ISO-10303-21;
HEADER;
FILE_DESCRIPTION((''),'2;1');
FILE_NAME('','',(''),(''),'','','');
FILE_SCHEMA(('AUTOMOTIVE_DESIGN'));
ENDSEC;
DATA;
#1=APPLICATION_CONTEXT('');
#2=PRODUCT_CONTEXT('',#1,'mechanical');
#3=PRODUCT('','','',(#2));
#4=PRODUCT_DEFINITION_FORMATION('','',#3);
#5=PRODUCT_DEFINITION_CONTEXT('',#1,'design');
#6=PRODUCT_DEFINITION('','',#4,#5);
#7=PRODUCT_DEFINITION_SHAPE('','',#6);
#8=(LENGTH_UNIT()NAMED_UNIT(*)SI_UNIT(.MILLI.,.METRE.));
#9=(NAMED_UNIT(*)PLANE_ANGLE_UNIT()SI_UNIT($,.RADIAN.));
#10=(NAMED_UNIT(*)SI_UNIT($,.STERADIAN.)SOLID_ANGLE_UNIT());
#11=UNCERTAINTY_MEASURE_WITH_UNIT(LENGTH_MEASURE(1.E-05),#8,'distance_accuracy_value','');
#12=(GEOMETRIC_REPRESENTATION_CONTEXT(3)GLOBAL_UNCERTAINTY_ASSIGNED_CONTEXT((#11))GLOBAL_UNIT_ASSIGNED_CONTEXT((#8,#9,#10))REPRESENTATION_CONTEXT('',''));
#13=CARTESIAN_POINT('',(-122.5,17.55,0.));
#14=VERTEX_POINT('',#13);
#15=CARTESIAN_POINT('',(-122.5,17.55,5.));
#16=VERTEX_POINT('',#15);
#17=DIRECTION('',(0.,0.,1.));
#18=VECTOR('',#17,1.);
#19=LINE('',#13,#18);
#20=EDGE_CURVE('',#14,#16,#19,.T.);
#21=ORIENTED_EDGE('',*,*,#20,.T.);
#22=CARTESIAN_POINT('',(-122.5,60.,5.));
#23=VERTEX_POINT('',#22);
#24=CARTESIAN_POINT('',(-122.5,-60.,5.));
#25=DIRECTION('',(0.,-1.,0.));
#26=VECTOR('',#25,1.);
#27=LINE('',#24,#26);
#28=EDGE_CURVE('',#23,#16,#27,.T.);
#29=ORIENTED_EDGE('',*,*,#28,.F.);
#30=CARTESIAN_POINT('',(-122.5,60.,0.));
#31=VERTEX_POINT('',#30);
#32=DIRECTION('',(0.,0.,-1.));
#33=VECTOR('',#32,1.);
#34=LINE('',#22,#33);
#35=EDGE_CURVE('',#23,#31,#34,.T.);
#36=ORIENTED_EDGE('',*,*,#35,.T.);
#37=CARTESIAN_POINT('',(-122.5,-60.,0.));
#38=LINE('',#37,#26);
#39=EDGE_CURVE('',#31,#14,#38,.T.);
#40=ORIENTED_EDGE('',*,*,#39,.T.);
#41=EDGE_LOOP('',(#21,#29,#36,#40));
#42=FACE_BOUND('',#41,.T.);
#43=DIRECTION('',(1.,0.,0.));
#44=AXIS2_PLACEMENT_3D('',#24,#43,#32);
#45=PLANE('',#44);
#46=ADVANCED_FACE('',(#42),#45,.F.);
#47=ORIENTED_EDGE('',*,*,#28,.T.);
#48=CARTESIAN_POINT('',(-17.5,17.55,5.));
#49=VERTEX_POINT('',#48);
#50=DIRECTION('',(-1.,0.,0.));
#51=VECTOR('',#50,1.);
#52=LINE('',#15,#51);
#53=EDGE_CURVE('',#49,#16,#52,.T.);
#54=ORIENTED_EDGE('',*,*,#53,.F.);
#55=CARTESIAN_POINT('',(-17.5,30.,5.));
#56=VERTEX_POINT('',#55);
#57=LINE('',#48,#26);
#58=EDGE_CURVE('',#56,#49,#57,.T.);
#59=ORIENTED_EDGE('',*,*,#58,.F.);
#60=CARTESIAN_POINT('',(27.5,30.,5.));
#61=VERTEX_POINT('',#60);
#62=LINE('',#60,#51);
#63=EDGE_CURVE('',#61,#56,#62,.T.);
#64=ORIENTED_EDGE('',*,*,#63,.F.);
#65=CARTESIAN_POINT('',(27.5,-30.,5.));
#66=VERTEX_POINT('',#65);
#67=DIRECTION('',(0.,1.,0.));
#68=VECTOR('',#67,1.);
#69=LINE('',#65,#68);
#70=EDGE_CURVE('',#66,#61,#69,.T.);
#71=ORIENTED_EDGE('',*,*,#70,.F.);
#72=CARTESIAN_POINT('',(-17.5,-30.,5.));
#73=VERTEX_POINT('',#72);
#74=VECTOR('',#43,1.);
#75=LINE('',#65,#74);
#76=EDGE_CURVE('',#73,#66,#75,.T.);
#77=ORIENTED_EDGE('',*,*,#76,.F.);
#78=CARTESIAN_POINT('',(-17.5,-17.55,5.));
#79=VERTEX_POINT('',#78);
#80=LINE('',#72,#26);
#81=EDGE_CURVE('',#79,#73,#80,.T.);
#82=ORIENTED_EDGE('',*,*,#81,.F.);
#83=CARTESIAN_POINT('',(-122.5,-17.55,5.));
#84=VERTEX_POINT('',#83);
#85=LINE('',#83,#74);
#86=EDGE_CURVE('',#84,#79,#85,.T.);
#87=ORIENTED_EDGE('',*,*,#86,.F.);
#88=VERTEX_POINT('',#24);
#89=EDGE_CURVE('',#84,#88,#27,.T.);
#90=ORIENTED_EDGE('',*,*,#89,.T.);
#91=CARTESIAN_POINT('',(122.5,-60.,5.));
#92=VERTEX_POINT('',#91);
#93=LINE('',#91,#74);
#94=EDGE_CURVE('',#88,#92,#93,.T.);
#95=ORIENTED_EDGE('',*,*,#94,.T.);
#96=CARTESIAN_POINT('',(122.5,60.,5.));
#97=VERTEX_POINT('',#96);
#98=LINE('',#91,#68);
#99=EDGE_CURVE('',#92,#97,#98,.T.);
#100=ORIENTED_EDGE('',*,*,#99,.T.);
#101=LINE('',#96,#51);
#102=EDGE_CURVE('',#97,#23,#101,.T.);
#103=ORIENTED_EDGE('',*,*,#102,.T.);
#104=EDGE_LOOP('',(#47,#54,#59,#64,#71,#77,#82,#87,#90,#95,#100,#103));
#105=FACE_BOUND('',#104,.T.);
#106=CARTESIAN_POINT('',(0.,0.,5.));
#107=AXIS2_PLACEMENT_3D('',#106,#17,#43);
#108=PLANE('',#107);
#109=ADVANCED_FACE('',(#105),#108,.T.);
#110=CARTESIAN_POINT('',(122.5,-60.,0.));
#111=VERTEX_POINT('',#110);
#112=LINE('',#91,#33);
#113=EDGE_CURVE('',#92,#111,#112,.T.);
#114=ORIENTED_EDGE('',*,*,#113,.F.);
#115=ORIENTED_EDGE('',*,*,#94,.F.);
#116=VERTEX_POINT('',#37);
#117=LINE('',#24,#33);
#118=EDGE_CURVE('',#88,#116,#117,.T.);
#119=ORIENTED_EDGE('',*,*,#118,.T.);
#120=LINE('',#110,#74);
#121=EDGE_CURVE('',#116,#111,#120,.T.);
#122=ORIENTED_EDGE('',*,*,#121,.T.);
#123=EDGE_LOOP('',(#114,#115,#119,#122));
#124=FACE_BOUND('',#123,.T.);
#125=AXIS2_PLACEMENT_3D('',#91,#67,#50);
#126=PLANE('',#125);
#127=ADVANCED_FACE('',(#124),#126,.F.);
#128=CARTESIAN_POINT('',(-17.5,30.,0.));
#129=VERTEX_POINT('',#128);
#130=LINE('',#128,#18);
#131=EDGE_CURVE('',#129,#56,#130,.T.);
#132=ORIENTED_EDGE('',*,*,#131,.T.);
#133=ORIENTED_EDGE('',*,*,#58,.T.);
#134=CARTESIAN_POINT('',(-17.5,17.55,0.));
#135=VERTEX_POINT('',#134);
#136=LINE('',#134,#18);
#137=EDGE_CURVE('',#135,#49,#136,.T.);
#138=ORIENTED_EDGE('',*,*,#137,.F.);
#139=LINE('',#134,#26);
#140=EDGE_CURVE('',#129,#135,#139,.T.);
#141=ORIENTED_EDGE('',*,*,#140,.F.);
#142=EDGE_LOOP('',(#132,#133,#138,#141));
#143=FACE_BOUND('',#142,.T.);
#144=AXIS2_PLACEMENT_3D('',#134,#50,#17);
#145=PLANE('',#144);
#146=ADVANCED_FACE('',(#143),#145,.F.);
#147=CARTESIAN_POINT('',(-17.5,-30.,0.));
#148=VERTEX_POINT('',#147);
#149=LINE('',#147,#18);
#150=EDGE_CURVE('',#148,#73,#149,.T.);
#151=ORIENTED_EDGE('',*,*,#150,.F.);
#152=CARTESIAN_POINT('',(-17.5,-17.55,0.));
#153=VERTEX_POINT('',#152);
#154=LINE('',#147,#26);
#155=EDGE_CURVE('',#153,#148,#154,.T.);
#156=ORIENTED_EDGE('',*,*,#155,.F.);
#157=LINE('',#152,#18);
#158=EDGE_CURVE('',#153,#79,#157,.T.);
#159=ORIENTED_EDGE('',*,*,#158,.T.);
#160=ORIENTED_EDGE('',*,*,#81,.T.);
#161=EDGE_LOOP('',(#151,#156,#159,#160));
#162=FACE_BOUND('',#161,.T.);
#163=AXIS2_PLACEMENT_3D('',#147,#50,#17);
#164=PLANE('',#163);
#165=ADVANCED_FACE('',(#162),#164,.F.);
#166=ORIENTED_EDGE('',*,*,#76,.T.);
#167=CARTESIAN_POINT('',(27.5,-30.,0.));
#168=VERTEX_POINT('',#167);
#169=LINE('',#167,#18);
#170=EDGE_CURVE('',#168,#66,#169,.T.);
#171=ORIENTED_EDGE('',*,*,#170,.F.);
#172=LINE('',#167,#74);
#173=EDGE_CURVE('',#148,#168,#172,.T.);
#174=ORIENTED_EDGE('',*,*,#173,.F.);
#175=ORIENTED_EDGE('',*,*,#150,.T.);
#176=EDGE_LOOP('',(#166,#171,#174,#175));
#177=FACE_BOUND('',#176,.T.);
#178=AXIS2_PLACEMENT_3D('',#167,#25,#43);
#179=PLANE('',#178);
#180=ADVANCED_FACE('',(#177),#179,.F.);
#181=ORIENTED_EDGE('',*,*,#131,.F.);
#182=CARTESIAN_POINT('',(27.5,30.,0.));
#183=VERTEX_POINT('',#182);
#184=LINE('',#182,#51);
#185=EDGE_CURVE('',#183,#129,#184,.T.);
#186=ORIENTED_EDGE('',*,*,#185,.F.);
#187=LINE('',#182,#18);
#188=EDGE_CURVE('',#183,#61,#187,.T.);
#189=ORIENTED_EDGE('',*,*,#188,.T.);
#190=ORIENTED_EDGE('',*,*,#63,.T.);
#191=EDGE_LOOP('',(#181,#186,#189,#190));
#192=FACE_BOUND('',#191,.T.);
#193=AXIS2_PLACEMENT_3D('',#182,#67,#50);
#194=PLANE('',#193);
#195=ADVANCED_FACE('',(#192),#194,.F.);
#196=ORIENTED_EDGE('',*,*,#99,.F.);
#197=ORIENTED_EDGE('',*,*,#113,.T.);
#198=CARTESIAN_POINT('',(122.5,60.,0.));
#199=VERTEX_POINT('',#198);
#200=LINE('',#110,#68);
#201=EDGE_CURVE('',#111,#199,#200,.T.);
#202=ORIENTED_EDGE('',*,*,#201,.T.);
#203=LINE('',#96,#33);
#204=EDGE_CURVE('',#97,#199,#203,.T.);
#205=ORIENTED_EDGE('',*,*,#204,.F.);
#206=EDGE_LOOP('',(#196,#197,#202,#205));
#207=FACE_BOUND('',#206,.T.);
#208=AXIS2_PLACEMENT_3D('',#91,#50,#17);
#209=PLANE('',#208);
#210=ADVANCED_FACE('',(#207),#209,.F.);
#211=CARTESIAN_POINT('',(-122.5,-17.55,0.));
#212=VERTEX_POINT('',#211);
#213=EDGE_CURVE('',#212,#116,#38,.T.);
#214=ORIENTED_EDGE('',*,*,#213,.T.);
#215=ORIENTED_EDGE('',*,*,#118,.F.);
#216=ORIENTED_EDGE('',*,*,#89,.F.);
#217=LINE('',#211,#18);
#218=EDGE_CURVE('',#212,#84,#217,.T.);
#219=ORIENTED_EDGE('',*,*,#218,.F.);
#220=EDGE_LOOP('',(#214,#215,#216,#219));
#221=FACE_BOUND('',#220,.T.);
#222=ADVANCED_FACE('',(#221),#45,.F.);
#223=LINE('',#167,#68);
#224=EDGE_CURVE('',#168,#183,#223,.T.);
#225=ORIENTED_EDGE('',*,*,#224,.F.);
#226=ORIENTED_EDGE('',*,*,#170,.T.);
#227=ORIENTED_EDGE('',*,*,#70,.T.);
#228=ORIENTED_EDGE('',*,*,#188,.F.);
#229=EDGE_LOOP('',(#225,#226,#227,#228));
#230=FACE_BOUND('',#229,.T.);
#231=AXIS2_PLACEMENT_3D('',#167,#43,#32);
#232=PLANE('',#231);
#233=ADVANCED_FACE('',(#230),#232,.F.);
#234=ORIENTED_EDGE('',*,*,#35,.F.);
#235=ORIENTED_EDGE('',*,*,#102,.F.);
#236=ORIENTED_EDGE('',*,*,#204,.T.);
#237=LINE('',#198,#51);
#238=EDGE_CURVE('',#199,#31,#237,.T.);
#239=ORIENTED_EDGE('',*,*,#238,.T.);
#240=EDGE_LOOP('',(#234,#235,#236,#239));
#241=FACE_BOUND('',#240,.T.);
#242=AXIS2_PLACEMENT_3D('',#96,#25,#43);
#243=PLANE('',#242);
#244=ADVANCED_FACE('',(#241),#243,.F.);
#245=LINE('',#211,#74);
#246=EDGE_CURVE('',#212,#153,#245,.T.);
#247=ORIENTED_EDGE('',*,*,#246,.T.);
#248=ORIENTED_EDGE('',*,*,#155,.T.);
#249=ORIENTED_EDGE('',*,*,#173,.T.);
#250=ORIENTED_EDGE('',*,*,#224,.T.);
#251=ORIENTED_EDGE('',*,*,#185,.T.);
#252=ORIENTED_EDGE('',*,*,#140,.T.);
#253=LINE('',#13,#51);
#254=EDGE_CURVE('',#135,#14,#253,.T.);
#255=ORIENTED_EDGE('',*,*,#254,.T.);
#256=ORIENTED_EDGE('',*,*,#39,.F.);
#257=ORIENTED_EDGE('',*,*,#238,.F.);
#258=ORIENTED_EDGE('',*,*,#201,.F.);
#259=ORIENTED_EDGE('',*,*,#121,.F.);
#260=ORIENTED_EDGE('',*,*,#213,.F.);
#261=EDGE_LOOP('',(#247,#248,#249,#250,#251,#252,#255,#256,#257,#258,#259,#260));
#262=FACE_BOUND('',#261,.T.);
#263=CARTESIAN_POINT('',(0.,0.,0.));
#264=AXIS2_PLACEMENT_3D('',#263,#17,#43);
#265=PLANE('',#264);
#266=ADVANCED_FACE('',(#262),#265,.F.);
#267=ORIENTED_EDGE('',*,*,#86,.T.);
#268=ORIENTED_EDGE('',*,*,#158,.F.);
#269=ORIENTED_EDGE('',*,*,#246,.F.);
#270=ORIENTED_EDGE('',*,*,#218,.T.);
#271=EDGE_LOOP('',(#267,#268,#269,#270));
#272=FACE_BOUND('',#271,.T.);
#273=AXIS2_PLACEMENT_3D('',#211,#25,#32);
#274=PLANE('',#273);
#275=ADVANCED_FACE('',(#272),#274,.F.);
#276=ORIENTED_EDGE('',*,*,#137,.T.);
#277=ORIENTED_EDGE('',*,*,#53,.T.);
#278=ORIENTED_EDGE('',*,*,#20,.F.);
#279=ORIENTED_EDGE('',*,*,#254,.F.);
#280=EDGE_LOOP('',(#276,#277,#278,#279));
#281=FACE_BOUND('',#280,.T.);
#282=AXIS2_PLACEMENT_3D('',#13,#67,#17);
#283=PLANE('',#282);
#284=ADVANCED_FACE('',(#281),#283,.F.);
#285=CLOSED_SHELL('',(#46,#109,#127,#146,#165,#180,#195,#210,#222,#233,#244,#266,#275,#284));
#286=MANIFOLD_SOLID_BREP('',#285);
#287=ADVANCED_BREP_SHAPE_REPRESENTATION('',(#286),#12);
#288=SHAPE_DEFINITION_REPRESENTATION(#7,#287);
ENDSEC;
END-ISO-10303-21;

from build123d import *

# Parameters (mm, degrees)
ESQUISSE1_W             = 245
ESQUISSE1_H             = 120
BOSS_EXTRU_1_DEPTH      = 5
ENL_V_MAT_EXTRU_1_DEPTH = 6


with BuildPart() as part:
    # Esquisse1 → Boss.-Extru.1 (new body)
    with BuildSketch(Plane.XY):
        Rectangle(ESQUISSE1_W, ESQUISSE1_H)
    extrude(amount=BOSS_EXTRU_1_DEPTH)

    # Esquisse2 → Enlèv. mat.-Extru.1 (cut, through all)
    with BuildSketch(Plane.XY.offset(5)):
        Polygon((-122.5, 17.55), (-17.5, 17.55), (-17.5, 30), (27.5, 30), (27.5, -30), (-17.5, -30), (-17.5, -17.55), (-122.5, -17.55), align=None)
    extrude(amount=-ENL_V_MAT_EXTRU_1_DEPTH, mode=Mode.SUBTRACT)


solid = part.part
